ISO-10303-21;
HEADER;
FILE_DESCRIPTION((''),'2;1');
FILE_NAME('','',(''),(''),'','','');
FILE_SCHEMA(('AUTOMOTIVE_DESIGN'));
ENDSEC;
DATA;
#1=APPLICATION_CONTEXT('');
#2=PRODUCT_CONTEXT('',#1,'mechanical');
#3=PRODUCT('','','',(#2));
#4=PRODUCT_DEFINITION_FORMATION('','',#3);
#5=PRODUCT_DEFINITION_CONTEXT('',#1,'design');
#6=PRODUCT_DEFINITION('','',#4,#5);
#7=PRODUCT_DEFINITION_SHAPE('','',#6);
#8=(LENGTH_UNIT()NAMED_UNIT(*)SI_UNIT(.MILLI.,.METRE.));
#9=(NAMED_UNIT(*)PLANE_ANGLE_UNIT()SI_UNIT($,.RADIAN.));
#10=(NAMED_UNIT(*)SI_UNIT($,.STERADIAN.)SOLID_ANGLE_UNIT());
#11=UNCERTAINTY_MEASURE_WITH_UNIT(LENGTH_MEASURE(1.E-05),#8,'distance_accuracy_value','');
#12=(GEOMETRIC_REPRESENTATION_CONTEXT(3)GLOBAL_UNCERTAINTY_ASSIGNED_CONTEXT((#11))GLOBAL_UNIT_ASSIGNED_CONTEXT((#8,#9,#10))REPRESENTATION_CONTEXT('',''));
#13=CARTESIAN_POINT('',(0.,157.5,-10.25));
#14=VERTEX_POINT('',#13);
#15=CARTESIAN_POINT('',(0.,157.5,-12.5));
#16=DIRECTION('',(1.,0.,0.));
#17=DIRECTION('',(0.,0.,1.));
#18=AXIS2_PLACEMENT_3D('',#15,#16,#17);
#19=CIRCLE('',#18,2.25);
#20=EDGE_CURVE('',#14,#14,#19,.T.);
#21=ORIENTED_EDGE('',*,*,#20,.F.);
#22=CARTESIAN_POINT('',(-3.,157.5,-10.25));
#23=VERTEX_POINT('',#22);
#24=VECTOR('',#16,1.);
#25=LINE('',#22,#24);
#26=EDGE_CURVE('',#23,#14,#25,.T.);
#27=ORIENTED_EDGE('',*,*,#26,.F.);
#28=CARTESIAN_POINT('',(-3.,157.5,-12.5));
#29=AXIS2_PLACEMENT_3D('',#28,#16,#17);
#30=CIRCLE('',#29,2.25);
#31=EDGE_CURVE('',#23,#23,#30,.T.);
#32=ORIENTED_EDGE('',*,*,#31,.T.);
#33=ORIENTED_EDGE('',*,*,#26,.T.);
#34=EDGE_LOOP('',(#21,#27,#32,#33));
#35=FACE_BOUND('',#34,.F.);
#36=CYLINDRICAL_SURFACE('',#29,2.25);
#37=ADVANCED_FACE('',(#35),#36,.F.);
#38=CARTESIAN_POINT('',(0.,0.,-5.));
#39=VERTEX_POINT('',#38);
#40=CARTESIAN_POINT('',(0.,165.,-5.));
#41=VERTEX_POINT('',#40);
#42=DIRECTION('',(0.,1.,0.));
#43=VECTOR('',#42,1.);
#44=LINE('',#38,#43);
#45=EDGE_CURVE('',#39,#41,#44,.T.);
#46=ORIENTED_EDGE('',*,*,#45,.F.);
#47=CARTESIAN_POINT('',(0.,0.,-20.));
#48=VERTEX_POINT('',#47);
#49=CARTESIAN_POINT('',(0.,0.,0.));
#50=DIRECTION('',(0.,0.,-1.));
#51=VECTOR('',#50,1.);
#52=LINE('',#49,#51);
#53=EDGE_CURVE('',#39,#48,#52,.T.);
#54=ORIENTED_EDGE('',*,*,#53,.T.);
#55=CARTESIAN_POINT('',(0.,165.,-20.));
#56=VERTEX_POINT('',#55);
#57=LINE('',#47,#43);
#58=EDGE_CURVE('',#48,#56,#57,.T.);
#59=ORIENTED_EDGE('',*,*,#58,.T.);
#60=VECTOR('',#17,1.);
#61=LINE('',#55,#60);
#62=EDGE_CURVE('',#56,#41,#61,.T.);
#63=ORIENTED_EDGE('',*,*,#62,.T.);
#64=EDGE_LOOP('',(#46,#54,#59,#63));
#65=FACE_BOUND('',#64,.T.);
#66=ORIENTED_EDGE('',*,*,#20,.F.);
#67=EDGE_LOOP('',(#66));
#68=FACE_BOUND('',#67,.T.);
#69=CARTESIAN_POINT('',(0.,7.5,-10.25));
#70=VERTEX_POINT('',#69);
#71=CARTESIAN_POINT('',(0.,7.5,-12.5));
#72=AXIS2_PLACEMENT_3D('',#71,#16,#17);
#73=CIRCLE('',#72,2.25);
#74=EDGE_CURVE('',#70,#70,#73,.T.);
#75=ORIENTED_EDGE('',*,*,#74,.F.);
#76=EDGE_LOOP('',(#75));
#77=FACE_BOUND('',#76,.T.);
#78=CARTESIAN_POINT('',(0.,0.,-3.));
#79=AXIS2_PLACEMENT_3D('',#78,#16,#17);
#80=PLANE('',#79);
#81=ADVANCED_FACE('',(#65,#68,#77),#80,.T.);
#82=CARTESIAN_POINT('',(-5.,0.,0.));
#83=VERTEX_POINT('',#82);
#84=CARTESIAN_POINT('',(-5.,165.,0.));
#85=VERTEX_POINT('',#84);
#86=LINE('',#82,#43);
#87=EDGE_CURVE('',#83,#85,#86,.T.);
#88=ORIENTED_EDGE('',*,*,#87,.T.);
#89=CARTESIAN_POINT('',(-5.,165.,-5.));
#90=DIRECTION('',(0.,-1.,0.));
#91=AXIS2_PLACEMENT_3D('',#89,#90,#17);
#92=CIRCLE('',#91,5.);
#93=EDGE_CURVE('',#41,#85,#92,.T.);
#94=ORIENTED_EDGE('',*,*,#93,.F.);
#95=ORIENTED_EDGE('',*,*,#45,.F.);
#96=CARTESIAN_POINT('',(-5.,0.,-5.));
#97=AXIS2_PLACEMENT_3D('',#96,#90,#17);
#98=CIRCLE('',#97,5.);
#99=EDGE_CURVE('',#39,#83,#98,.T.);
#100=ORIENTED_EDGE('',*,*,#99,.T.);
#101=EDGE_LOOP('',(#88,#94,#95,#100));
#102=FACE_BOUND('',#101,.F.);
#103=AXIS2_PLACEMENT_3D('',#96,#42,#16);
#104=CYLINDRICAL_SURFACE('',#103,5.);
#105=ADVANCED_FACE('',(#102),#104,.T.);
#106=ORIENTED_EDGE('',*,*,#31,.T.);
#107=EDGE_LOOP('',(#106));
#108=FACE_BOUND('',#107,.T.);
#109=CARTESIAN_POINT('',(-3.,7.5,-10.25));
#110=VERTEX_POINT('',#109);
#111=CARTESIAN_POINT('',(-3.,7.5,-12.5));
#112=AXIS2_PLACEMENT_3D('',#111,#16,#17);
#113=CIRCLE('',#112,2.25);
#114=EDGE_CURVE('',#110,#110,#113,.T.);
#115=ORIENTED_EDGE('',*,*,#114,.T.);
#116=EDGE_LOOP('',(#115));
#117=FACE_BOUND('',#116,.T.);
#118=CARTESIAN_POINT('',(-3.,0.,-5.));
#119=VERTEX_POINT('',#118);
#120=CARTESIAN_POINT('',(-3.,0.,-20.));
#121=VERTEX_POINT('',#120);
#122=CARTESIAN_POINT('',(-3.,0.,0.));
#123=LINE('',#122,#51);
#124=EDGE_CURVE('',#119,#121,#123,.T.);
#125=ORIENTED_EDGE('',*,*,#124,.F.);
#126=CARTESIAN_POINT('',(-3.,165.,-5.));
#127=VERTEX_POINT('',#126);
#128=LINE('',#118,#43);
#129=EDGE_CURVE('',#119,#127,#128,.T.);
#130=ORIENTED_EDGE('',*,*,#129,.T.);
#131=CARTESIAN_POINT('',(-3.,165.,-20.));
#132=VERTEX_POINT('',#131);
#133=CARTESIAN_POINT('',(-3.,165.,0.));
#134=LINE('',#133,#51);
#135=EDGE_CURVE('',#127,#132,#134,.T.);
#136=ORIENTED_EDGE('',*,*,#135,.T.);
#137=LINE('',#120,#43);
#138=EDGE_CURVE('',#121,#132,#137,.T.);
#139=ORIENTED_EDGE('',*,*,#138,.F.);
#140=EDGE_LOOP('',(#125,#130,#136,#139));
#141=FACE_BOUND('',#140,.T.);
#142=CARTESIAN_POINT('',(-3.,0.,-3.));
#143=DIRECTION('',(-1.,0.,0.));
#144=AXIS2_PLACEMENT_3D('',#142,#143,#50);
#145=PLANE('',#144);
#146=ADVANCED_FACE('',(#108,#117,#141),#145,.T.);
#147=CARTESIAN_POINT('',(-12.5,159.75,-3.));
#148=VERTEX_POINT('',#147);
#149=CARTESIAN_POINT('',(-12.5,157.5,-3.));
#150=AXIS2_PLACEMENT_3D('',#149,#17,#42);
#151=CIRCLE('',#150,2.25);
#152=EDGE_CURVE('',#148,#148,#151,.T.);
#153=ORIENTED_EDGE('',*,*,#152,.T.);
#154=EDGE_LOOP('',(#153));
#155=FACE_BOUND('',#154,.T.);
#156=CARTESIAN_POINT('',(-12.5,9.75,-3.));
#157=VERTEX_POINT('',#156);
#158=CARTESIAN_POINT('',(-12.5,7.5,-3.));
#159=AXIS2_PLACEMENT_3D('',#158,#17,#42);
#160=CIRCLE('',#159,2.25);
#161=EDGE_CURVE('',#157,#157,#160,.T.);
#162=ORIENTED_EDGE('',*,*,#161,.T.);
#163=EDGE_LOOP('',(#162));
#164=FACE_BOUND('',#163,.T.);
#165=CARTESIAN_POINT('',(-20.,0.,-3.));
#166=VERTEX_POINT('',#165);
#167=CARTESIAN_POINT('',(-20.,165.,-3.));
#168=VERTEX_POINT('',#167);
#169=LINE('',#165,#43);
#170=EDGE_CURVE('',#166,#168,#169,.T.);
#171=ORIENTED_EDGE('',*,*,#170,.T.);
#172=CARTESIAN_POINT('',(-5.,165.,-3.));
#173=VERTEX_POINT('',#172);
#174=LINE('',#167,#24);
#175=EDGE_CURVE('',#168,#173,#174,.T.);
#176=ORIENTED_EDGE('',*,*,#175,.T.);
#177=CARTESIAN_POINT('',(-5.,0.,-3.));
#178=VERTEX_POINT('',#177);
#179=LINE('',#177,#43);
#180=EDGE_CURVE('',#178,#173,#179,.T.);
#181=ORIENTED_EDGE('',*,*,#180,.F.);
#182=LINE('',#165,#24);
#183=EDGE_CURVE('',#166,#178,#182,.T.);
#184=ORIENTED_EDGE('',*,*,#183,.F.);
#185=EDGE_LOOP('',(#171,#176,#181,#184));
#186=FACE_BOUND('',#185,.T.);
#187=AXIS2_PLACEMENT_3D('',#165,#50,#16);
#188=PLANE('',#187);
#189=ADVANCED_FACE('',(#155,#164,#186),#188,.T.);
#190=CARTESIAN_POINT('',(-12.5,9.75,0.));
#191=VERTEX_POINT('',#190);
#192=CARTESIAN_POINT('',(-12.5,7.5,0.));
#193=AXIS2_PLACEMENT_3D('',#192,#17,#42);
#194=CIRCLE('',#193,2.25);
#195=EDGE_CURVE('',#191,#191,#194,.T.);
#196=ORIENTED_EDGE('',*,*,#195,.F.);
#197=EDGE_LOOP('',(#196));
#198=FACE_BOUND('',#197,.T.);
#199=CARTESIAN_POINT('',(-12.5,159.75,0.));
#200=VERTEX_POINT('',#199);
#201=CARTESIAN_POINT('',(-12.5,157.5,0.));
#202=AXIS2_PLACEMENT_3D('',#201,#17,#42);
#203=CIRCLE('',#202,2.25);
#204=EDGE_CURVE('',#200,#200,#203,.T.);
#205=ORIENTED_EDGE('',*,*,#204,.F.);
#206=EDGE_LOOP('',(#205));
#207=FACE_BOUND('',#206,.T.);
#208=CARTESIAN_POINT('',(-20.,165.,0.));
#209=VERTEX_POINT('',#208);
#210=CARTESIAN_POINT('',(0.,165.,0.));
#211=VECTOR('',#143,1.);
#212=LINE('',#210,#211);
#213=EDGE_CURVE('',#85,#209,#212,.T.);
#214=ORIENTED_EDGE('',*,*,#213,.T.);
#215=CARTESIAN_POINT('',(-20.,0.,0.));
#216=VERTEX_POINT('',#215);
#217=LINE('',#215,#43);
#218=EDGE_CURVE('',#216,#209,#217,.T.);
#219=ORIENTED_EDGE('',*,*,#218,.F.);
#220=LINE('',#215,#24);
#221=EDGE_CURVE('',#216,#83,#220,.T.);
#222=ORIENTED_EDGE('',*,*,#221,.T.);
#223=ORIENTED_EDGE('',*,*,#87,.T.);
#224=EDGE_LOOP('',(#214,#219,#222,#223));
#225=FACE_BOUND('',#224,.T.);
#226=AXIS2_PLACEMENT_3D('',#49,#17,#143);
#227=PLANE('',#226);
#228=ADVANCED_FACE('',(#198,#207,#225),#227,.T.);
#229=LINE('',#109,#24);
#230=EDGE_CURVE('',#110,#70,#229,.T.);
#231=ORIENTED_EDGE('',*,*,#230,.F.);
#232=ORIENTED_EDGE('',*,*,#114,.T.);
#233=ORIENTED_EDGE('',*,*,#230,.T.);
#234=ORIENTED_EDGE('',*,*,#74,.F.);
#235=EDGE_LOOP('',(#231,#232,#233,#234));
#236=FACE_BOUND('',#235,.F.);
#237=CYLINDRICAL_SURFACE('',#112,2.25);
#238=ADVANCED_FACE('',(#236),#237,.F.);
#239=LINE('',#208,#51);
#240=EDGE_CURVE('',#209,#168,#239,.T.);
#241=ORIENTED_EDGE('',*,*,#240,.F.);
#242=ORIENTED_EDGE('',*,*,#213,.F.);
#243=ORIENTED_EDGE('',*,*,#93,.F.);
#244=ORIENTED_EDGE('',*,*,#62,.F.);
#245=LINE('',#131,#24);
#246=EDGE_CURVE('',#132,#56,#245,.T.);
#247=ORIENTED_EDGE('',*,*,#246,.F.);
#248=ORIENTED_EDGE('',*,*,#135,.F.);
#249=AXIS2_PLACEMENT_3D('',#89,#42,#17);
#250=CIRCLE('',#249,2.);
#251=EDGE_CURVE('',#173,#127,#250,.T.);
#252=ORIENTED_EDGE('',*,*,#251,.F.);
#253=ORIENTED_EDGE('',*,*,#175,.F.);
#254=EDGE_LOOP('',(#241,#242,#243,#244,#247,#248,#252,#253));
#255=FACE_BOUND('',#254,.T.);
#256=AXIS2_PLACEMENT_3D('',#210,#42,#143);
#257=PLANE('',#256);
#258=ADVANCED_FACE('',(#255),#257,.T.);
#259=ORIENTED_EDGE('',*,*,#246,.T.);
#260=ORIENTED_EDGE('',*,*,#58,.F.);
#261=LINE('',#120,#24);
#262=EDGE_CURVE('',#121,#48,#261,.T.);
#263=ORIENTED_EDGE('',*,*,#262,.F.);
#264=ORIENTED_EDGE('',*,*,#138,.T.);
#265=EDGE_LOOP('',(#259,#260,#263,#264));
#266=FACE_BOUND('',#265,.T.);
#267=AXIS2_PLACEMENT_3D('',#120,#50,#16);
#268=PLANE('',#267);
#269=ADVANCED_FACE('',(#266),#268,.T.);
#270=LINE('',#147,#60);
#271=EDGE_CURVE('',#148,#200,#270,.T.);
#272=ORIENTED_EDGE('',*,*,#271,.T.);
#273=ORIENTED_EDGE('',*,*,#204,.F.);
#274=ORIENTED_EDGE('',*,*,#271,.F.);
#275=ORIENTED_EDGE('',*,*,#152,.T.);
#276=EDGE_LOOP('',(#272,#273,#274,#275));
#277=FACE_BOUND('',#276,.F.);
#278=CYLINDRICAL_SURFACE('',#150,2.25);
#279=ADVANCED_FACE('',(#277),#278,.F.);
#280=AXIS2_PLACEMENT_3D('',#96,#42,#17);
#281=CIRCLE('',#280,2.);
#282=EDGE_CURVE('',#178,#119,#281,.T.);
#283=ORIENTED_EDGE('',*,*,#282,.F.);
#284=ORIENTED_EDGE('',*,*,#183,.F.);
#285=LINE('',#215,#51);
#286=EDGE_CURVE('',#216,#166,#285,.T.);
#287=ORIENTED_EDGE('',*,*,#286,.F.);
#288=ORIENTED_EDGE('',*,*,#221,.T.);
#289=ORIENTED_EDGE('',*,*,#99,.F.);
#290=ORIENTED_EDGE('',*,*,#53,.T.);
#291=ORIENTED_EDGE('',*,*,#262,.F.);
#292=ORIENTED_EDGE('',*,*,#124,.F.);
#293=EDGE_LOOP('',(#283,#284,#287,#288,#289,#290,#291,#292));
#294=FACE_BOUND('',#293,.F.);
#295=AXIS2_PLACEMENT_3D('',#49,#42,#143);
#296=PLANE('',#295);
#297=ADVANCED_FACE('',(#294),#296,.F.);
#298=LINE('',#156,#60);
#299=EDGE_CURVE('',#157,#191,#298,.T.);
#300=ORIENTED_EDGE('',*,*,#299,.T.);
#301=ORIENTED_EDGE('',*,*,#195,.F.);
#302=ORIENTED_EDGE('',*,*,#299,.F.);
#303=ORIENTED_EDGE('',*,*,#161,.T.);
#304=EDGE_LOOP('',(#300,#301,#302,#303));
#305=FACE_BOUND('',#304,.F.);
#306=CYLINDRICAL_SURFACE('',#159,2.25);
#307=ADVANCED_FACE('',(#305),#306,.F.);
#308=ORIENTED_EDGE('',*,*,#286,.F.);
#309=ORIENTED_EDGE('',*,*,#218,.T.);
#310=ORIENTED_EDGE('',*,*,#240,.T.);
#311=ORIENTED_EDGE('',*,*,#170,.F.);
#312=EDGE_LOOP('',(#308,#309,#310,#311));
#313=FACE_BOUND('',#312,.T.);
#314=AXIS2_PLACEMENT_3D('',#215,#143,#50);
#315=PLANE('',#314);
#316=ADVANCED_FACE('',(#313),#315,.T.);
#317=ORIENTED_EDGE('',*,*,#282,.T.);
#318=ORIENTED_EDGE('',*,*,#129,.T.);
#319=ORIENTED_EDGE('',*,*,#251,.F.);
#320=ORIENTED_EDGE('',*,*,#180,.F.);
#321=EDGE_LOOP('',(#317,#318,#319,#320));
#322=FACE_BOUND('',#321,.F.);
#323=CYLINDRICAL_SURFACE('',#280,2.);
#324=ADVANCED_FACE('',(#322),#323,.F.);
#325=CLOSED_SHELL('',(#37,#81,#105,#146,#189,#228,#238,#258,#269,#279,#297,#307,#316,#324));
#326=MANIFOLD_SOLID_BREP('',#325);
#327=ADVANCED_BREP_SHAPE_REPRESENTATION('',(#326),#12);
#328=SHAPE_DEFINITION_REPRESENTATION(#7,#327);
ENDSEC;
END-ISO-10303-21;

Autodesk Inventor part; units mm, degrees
ref_plane "YZ Plane" through (0, 0, 0) normal (1, 0, 0) x (0, 1, 0)
ref_plane "XZ Plane" through (0, 0, 0) normal (0, 1, 0) x (-1, 0, 0)
ref_plane "XY Plane" through (0, 0, 0) normal (0, 0, 1) x (1, 0, 0)
sketch "Sketch1" plane through (0, 0, 0) normal (0, 1, 0) x (-1, 0, 0)
  line L0 (0, 0) -> (20, 0)
  line L1 (20, 0) -> (20, -3)
  line L2 (20, -3) -> (0, -3)
  line L3 (0, -3) -> (0, 0)
  line L4 (0, 0) -> (3, 0)
  line L5 (3, 0) -> (3, -20)
  line L6 (3, -20) -> (0, -20)
  line L7 (0, -20) -> (0, 0)
  dimension "d0" = 3
  dimension "d1" = 3
  dimension "d2" = 20
  dimension "d3" = 20
extrude "Extrusion1" add sketch "Sketch1" along normal blind 165
fillet "Fillet1" radius 2 1 edges at (-3, 82.5, -3)
fillet "Fillet2" radius 5 1 edges at (0, 82.5, 0)
sketch "Sketch2" plane through (-3, 0, -20) normal (-1, 0, 0) x (0, 0, 1)
  line L0 (0, 165) -> (15, 165) projected
  line L1 (0, 0) -> (15, 0) projected
  line L2 (0, 0) -> (0, 165) projected
  point P0 (20, 0)
  point P1 (7.5, 157.5)
  point P2 (7.5, 7.5)
  dimension "d8" = 7.5
  dimension "d9" = 7.5
  dimension "d10" = 150
  dimension "d11" = 7.5
hole "Hole1" at (-3, 157.5, -12.5) at (-3, 7.5, -12.5) direction (1, 0, 0) diameter 4.5 end through all clearance for "Socket Head Cap Screw" size "M4" standard "Ansi Metric M Profile"
sketch "Sketch3" plane through (-20, 0, -3) normal (0, 0, -1) x (-1, 0, 0)
  line L0 (-15, 165) -> (0, 165) projected
  line L1 (-15, 0) -> (0, 0) projected
  line L2 (0, 0) -> (0, 165) projected
  point P0 (-20, 0)
  point P1 (-7.5, 157.5)
  point P2 (-7.5, 7.5)
  dimension "d19" = 7.5
  dimension "d20" = 7.5
  dimension "d21" = 7.5
  dimension "d29" = 150
hole "Hole2" at (-12.5, 157.5, -3) at (-12.5, 7.5, -3) direction (0, 0, 1) diameter 4.5 end through all clearance for "Socket Head Cap Screw" size "M4" standard "Ansi Metric M Profile"
equation "\"d1\" = d0"
equation "\"d3\" = d2"
equation "\"d9\" = d8"
equation "\"d20\" = d19"
equation "\"d21\" = d19"
properties part number "Top_Angle Bracket" material "Aluminum 6061"
